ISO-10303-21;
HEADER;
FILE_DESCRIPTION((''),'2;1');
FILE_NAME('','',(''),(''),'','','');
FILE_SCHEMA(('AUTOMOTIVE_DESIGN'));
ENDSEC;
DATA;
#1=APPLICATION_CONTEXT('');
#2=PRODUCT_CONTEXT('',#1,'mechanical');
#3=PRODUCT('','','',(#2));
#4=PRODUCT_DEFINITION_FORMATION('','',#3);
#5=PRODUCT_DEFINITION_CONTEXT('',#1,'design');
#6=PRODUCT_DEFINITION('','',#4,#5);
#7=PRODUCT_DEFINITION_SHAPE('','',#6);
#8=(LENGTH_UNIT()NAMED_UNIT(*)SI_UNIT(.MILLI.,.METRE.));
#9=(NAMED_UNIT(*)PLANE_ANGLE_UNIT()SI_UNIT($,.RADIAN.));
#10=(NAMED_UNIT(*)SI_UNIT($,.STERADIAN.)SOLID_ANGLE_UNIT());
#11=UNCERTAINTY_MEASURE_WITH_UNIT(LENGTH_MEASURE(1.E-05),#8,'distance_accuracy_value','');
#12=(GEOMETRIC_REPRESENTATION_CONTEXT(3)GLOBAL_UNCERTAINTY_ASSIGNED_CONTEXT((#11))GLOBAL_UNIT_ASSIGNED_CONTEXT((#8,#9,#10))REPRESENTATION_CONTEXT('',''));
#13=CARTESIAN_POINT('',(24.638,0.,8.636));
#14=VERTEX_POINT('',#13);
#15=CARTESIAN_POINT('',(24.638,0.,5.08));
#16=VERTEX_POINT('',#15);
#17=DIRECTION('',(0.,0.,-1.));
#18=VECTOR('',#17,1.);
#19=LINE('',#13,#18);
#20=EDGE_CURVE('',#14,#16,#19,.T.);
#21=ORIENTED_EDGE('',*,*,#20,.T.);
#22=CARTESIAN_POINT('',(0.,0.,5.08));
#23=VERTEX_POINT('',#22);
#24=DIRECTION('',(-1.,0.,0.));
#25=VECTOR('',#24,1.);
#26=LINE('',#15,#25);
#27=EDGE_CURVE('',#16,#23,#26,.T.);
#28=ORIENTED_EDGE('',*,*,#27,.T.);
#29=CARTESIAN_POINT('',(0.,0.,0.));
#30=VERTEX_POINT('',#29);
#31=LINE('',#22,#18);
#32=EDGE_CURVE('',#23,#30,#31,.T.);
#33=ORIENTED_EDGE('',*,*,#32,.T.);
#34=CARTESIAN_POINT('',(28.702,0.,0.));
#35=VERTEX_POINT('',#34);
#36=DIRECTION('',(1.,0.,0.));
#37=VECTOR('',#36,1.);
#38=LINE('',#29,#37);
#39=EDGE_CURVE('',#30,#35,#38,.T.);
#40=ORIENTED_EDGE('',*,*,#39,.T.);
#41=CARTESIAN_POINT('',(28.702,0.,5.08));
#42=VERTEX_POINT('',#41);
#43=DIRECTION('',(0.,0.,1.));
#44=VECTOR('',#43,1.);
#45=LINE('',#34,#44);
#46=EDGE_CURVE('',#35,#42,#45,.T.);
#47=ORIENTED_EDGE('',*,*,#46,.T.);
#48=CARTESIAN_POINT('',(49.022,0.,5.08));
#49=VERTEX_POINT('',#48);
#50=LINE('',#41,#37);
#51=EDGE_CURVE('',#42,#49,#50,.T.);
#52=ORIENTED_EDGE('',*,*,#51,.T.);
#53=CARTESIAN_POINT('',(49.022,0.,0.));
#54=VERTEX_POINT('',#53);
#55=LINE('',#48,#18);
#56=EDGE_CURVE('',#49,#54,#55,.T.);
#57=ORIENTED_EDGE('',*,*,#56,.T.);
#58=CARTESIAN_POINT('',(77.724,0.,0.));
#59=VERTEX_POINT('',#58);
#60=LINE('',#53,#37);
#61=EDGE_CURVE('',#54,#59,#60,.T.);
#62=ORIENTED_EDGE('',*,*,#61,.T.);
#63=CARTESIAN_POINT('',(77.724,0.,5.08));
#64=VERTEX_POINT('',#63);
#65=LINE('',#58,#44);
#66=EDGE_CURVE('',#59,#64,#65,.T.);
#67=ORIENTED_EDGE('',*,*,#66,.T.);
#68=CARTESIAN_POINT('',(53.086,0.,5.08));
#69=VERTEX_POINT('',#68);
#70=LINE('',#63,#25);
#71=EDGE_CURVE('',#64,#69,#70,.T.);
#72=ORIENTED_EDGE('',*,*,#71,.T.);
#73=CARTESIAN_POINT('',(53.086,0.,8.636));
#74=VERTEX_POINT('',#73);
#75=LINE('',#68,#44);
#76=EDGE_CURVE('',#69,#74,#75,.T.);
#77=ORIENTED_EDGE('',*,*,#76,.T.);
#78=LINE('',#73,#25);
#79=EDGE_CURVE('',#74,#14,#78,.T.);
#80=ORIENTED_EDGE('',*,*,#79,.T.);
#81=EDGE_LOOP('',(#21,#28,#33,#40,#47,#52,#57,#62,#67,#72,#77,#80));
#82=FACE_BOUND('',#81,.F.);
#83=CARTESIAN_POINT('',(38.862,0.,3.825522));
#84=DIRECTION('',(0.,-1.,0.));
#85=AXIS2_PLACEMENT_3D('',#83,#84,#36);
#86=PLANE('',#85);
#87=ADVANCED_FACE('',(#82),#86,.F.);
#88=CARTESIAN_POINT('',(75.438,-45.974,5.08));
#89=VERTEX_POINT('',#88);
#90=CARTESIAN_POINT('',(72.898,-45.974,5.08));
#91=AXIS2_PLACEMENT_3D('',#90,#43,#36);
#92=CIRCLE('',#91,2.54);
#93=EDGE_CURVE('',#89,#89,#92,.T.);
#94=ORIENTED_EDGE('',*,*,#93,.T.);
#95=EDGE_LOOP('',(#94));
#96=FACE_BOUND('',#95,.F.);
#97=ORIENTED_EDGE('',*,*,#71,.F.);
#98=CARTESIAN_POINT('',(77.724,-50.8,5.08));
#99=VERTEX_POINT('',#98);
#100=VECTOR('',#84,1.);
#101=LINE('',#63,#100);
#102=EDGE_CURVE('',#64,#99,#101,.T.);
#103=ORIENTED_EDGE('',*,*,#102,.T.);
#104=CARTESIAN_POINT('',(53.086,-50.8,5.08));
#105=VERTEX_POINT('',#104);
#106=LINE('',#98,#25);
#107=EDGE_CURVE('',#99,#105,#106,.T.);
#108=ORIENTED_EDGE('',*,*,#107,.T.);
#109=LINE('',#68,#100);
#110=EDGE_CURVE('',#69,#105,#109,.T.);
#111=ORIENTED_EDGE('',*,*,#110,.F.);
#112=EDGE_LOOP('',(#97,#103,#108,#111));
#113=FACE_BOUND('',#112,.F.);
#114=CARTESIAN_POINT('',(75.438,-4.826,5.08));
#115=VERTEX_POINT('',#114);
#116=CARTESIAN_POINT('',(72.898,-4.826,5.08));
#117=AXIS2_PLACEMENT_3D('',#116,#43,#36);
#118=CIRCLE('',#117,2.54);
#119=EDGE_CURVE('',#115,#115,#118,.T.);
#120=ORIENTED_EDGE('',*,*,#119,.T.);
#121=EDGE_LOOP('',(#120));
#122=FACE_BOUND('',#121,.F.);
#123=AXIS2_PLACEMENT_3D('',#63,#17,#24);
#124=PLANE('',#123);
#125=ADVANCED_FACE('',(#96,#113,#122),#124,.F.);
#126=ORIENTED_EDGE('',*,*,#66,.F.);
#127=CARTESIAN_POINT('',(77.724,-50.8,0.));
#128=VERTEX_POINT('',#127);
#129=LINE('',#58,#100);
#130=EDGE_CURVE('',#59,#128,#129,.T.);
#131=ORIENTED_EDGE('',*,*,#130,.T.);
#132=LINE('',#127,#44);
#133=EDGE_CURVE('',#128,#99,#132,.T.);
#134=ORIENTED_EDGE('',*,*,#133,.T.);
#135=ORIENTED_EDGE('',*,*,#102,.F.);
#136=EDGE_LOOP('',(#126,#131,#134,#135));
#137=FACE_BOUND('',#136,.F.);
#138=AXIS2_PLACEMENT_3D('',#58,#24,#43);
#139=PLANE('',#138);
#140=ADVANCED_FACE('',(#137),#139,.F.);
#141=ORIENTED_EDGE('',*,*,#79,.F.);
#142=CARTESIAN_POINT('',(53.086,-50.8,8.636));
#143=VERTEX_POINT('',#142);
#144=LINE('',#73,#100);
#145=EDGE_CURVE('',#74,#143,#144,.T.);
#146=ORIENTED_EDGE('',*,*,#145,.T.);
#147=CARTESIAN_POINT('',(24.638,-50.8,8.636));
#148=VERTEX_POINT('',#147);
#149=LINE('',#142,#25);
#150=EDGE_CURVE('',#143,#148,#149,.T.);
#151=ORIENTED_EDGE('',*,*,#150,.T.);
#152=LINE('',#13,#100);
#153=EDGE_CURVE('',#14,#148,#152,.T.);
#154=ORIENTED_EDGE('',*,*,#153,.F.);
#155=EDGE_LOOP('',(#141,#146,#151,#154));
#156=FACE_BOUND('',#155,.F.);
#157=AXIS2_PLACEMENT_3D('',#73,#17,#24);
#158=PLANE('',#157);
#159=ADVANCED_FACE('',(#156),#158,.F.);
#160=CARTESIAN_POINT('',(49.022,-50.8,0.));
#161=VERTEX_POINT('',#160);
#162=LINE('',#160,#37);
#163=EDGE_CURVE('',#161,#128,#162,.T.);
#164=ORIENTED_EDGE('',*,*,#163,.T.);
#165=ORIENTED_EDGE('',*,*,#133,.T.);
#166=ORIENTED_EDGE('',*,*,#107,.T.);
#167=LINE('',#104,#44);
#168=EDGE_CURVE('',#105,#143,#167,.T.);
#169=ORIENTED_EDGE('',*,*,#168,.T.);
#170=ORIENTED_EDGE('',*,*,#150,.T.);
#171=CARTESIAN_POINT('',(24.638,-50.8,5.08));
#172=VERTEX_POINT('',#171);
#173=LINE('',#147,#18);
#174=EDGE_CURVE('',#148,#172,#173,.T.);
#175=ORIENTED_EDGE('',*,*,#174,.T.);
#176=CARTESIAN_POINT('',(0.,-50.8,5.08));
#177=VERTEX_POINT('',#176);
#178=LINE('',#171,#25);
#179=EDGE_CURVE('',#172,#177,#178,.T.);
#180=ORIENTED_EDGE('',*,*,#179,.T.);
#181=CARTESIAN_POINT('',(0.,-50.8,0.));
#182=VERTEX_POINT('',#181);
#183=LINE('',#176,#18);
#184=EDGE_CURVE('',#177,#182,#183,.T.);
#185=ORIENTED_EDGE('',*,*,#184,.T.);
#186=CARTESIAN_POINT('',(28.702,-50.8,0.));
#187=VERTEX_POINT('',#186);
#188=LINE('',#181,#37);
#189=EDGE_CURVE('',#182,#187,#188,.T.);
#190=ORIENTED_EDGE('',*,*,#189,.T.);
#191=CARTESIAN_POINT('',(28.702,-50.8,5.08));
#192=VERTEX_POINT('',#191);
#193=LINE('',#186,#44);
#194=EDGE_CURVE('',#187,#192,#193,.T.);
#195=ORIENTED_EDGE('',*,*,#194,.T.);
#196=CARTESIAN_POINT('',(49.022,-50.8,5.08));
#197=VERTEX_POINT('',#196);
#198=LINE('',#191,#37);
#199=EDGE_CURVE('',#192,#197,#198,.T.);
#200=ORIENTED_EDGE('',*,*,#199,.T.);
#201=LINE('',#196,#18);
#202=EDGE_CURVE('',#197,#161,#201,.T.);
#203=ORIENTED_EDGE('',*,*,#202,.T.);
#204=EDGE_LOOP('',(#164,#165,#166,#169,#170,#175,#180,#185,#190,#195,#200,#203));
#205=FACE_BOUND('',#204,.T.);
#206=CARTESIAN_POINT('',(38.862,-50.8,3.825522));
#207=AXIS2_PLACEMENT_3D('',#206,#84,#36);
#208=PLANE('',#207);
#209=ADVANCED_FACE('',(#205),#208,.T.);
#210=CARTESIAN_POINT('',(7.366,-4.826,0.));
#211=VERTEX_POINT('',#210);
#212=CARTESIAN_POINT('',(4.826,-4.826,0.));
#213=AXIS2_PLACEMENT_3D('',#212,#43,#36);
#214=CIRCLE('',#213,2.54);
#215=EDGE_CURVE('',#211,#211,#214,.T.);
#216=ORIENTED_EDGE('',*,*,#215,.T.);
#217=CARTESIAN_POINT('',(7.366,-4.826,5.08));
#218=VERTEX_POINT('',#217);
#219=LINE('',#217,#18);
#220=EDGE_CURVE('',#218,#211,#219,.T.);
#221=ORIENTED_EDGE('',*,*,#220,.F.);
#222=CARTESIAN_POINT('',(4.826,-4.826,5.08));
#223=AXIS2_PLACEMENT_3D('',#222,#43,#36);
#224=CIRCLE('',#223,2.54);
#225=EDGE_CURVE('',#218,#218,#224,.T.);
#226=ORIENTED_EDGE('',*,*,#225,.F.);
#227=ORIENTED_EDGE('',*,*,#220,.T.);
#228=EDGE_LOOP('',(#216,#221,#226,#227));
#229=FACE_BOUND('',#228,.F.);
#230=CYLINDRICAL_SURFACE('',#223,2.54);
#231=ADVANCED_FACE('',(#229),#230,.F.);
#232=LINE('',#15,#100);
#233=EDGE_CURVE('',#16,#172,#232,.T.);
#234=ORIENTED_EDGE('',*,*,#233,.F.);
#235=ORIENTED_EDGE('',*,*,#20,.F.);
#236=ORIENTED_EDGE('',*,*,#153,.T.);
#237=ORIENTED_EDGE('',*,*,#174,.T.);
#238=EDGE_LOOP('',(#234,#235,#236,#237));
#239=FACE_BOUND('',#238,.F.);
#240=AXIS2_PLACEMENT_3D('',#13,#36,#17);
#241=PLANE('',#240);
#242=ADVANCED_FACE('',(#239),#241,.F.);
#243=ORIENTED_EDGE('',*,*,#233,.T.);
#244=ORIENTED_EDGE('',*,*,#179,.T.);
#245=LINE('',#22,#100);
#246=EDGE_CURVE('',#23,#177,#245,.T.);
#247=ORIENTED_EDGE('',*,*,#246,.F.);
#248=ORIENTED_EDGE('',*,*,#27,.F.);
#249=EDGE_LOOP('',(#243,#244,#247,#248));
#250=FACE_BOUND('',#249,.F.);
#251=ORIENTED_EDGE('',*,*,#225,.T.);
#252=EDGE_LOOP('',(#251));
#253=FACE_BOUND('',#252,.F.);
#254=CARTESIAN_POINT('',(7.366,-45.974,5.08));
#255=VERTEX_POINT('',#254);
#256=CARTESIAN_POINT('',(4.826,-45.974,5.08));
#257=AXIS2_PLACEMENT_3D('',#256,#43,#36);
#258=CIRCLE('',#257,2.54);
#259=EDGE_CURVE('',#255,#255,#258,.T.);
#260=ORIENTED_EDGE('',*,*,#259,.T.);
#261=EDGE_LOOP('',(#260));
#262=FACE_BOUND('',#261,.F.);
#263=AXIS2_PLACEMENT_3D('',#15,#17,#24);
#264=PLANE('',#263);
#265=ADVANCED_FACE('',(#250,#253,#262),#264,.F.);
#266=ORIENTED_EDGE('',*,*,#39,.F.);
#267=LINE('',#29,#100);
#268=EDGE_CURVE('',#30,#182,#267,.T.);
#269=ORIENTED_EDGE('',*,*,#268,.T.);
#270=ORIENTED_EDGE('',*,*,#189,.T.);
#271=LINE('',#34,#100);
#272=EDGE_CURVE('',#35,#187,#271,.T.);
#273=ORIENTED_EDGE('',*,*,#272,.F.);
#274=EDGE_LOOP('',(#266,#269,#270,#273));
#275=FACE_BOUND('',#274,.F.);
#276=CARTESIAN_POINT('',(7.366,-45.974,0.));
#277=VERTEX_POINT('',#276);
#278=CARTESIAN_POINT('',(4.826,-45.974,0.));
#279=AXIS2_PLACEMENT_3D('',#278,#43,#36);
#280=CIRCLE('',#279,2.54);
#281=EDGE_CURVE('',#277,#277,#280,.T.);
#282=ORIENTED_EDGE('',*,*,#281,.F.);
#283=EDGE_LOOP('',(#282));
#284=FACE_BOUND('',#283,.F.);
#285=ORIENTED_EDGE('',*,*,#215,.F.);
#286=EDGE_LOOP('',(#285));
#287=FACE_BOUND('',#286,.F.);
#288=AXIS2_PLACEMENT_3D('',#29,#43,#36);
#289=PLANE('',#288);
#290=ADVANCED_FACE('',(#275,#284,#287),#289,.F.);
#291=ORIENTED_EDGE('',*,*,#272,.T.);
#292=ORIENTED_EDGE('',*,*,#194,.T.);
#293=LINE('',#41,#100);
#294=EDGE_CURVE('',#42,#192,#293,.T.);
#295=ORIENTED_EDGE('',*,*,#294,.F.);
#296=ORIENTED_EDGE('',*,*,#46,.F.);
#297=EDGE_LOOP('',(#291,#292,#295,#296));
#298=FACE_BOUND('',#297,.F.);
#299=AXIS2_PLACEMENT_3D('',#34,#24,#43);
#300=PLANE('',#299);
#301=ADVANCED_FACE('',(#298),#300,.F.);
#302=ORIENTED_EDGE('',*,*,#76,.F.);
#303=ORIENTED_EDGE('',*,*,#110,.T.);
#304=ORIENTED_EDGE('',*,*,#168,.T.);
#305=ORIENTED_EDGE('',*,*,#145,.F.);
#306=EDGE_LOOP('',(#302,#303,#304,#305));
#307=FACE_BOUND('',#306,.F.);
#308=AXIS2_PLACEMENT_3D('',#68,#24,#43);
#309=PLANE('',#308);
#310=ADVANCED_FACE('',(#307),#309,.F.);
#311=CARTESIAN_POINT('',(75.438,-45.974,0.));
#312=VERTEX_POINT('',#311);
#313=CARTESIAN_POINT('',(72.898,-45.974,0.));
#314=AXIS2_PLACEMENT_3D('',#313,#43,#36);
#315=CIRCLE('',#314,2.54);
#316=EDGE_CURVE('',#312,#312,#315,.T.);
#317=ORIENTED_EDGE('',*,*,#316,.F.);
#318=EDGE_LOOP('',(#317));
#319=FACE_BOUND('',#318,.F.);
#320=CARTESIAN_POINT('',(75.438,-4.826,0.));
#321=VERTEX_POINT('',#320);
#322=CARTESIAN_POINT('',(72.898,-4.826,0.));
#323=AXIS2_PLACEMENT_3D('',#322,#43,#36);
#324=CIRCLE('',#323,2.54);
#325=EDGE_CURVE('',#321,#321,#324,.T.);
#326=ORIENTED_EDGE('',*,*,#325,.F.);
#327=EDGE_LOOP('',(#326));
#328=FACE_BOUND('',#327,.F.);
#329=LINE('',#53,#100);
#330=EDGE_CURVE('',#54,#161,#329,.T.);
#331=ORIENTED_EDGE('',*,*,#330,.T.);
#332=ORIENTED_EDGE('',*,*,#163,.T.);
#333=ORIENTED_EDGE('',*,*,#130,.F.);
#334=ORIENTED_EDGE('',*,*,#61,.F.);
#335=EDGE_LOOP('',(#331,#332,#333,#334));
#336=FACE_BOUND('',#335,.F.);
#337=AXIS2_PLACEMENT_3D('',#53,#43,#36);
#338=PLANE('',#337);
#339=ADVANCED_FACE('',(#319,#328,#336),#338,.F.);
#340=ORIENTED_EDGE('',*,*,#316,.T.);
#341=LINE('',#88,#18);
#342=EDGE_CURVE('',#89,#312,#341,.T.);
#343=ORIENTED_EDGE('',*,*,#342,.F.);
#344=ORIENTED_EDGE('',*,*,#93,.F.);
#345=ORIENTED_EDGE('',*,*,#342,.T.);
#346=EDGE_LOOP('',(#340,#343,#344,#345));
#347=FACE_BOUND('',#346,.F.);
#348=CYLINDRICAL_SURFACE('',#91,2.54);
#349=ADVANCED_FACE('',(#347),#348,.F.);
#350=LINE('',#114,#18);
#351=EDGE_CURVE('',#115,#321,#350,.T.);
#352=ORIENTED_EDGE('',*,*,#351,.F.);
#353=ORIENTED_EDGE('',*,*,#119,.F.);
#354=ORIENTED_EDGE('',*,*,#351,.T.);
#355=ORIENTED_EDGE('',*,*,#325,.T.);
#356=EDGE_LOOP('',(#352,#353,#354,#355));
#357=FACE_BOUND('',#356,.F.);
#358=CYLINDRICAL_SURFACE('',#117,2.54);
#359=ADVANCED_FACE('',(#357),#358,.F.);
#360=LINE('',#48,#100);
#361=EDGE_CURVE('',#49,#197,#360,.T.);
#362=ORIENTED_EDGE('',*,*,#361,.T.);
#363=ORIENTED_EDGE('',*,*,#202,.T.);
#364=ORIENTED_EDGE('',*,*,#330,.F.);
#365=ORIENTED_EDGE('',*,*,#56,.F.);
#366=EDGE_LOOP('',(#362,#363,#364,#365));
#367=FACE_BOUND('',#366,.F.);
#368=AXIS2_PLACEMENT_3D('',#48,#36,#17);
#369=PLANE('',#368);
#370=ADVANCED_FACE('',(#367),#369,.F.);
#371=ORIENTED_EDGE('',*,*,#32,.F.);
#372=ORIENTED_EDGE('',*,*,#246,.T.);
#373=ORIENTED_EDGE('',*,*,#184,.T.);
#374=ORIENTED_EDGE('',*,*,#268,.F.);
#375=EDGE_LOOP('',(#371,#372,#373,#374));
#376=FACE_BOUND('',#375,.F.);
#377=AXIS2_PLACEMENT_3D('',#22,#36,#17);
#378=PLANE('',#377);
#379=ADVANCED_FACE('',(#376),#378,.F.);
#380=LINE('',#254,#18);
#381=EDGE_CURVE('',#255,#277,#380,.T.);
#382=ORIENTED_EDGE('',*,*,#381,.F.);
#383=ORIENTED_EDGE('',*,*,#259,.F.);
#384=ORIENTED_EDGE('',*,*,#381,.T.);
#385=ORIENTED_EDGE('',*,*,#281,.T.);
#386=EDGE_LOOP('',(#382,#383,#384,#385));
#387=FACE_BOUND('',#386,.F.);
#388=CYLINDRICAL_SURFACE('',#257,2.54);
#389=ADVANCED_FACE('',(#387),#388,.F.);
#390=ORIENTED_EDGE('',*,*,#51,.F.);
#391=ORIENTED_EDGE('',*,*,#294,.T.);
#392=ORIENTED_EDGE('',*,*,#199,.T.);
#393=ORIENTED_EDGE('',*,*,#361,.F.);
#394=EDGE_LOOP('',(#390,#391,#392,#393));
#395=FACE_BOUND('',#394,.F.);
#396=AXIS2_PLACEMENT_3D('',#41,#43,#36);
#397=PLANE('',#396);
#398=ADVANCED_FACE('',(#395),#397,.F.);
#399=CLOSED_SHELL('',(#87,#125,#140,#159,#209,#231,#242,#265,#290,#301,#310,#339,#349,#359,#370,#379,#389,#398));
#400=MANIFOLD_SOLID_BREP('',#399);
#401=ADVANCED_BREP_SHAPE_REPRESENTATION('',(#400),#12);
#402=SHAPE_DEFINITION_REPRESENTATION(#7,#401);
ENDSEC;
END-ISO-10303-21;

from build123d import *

# Parameters (mm, degrees)
F1_DEPTH = 50.8
F2_R     = 2.54
F3_DEPTH = 5.081


with BuildPart() as f1:
    # F0 (on Front) → F1 (new body)
    with BuildSketch(Plane.XZ):
        Polygon((0, 5.08), (0, 0), (28.702, 0), (28.702, 5.08), (49.022, 5.08), (49.022, 0), (77.724, 0), (77.724, 5.08), (53.086, 5.08), (53.086, 8.636), (24.638, 8.636), (24.638, 5.08), align=None)
    extrude(amount=F1_DEPTH)

    # F2 (on face) → F3 (cut, through all)
    with BuildSketch(Plane.XY.offset(5.08)):
        with Locations((4.826, -4.826)):
            Circle(F2_R)
        with Locations((4.826, -45.974)):
            Circle(F2_R)
        with Locations((72.898, -45.974)):
            Circle(F2_R)
        with Locations((72.898, -4.826)):
            Circle(F2_R)
    extrude(amount=-F3_DEPTH, mode=Mode.SUBTRACT)


solid = f1.part
